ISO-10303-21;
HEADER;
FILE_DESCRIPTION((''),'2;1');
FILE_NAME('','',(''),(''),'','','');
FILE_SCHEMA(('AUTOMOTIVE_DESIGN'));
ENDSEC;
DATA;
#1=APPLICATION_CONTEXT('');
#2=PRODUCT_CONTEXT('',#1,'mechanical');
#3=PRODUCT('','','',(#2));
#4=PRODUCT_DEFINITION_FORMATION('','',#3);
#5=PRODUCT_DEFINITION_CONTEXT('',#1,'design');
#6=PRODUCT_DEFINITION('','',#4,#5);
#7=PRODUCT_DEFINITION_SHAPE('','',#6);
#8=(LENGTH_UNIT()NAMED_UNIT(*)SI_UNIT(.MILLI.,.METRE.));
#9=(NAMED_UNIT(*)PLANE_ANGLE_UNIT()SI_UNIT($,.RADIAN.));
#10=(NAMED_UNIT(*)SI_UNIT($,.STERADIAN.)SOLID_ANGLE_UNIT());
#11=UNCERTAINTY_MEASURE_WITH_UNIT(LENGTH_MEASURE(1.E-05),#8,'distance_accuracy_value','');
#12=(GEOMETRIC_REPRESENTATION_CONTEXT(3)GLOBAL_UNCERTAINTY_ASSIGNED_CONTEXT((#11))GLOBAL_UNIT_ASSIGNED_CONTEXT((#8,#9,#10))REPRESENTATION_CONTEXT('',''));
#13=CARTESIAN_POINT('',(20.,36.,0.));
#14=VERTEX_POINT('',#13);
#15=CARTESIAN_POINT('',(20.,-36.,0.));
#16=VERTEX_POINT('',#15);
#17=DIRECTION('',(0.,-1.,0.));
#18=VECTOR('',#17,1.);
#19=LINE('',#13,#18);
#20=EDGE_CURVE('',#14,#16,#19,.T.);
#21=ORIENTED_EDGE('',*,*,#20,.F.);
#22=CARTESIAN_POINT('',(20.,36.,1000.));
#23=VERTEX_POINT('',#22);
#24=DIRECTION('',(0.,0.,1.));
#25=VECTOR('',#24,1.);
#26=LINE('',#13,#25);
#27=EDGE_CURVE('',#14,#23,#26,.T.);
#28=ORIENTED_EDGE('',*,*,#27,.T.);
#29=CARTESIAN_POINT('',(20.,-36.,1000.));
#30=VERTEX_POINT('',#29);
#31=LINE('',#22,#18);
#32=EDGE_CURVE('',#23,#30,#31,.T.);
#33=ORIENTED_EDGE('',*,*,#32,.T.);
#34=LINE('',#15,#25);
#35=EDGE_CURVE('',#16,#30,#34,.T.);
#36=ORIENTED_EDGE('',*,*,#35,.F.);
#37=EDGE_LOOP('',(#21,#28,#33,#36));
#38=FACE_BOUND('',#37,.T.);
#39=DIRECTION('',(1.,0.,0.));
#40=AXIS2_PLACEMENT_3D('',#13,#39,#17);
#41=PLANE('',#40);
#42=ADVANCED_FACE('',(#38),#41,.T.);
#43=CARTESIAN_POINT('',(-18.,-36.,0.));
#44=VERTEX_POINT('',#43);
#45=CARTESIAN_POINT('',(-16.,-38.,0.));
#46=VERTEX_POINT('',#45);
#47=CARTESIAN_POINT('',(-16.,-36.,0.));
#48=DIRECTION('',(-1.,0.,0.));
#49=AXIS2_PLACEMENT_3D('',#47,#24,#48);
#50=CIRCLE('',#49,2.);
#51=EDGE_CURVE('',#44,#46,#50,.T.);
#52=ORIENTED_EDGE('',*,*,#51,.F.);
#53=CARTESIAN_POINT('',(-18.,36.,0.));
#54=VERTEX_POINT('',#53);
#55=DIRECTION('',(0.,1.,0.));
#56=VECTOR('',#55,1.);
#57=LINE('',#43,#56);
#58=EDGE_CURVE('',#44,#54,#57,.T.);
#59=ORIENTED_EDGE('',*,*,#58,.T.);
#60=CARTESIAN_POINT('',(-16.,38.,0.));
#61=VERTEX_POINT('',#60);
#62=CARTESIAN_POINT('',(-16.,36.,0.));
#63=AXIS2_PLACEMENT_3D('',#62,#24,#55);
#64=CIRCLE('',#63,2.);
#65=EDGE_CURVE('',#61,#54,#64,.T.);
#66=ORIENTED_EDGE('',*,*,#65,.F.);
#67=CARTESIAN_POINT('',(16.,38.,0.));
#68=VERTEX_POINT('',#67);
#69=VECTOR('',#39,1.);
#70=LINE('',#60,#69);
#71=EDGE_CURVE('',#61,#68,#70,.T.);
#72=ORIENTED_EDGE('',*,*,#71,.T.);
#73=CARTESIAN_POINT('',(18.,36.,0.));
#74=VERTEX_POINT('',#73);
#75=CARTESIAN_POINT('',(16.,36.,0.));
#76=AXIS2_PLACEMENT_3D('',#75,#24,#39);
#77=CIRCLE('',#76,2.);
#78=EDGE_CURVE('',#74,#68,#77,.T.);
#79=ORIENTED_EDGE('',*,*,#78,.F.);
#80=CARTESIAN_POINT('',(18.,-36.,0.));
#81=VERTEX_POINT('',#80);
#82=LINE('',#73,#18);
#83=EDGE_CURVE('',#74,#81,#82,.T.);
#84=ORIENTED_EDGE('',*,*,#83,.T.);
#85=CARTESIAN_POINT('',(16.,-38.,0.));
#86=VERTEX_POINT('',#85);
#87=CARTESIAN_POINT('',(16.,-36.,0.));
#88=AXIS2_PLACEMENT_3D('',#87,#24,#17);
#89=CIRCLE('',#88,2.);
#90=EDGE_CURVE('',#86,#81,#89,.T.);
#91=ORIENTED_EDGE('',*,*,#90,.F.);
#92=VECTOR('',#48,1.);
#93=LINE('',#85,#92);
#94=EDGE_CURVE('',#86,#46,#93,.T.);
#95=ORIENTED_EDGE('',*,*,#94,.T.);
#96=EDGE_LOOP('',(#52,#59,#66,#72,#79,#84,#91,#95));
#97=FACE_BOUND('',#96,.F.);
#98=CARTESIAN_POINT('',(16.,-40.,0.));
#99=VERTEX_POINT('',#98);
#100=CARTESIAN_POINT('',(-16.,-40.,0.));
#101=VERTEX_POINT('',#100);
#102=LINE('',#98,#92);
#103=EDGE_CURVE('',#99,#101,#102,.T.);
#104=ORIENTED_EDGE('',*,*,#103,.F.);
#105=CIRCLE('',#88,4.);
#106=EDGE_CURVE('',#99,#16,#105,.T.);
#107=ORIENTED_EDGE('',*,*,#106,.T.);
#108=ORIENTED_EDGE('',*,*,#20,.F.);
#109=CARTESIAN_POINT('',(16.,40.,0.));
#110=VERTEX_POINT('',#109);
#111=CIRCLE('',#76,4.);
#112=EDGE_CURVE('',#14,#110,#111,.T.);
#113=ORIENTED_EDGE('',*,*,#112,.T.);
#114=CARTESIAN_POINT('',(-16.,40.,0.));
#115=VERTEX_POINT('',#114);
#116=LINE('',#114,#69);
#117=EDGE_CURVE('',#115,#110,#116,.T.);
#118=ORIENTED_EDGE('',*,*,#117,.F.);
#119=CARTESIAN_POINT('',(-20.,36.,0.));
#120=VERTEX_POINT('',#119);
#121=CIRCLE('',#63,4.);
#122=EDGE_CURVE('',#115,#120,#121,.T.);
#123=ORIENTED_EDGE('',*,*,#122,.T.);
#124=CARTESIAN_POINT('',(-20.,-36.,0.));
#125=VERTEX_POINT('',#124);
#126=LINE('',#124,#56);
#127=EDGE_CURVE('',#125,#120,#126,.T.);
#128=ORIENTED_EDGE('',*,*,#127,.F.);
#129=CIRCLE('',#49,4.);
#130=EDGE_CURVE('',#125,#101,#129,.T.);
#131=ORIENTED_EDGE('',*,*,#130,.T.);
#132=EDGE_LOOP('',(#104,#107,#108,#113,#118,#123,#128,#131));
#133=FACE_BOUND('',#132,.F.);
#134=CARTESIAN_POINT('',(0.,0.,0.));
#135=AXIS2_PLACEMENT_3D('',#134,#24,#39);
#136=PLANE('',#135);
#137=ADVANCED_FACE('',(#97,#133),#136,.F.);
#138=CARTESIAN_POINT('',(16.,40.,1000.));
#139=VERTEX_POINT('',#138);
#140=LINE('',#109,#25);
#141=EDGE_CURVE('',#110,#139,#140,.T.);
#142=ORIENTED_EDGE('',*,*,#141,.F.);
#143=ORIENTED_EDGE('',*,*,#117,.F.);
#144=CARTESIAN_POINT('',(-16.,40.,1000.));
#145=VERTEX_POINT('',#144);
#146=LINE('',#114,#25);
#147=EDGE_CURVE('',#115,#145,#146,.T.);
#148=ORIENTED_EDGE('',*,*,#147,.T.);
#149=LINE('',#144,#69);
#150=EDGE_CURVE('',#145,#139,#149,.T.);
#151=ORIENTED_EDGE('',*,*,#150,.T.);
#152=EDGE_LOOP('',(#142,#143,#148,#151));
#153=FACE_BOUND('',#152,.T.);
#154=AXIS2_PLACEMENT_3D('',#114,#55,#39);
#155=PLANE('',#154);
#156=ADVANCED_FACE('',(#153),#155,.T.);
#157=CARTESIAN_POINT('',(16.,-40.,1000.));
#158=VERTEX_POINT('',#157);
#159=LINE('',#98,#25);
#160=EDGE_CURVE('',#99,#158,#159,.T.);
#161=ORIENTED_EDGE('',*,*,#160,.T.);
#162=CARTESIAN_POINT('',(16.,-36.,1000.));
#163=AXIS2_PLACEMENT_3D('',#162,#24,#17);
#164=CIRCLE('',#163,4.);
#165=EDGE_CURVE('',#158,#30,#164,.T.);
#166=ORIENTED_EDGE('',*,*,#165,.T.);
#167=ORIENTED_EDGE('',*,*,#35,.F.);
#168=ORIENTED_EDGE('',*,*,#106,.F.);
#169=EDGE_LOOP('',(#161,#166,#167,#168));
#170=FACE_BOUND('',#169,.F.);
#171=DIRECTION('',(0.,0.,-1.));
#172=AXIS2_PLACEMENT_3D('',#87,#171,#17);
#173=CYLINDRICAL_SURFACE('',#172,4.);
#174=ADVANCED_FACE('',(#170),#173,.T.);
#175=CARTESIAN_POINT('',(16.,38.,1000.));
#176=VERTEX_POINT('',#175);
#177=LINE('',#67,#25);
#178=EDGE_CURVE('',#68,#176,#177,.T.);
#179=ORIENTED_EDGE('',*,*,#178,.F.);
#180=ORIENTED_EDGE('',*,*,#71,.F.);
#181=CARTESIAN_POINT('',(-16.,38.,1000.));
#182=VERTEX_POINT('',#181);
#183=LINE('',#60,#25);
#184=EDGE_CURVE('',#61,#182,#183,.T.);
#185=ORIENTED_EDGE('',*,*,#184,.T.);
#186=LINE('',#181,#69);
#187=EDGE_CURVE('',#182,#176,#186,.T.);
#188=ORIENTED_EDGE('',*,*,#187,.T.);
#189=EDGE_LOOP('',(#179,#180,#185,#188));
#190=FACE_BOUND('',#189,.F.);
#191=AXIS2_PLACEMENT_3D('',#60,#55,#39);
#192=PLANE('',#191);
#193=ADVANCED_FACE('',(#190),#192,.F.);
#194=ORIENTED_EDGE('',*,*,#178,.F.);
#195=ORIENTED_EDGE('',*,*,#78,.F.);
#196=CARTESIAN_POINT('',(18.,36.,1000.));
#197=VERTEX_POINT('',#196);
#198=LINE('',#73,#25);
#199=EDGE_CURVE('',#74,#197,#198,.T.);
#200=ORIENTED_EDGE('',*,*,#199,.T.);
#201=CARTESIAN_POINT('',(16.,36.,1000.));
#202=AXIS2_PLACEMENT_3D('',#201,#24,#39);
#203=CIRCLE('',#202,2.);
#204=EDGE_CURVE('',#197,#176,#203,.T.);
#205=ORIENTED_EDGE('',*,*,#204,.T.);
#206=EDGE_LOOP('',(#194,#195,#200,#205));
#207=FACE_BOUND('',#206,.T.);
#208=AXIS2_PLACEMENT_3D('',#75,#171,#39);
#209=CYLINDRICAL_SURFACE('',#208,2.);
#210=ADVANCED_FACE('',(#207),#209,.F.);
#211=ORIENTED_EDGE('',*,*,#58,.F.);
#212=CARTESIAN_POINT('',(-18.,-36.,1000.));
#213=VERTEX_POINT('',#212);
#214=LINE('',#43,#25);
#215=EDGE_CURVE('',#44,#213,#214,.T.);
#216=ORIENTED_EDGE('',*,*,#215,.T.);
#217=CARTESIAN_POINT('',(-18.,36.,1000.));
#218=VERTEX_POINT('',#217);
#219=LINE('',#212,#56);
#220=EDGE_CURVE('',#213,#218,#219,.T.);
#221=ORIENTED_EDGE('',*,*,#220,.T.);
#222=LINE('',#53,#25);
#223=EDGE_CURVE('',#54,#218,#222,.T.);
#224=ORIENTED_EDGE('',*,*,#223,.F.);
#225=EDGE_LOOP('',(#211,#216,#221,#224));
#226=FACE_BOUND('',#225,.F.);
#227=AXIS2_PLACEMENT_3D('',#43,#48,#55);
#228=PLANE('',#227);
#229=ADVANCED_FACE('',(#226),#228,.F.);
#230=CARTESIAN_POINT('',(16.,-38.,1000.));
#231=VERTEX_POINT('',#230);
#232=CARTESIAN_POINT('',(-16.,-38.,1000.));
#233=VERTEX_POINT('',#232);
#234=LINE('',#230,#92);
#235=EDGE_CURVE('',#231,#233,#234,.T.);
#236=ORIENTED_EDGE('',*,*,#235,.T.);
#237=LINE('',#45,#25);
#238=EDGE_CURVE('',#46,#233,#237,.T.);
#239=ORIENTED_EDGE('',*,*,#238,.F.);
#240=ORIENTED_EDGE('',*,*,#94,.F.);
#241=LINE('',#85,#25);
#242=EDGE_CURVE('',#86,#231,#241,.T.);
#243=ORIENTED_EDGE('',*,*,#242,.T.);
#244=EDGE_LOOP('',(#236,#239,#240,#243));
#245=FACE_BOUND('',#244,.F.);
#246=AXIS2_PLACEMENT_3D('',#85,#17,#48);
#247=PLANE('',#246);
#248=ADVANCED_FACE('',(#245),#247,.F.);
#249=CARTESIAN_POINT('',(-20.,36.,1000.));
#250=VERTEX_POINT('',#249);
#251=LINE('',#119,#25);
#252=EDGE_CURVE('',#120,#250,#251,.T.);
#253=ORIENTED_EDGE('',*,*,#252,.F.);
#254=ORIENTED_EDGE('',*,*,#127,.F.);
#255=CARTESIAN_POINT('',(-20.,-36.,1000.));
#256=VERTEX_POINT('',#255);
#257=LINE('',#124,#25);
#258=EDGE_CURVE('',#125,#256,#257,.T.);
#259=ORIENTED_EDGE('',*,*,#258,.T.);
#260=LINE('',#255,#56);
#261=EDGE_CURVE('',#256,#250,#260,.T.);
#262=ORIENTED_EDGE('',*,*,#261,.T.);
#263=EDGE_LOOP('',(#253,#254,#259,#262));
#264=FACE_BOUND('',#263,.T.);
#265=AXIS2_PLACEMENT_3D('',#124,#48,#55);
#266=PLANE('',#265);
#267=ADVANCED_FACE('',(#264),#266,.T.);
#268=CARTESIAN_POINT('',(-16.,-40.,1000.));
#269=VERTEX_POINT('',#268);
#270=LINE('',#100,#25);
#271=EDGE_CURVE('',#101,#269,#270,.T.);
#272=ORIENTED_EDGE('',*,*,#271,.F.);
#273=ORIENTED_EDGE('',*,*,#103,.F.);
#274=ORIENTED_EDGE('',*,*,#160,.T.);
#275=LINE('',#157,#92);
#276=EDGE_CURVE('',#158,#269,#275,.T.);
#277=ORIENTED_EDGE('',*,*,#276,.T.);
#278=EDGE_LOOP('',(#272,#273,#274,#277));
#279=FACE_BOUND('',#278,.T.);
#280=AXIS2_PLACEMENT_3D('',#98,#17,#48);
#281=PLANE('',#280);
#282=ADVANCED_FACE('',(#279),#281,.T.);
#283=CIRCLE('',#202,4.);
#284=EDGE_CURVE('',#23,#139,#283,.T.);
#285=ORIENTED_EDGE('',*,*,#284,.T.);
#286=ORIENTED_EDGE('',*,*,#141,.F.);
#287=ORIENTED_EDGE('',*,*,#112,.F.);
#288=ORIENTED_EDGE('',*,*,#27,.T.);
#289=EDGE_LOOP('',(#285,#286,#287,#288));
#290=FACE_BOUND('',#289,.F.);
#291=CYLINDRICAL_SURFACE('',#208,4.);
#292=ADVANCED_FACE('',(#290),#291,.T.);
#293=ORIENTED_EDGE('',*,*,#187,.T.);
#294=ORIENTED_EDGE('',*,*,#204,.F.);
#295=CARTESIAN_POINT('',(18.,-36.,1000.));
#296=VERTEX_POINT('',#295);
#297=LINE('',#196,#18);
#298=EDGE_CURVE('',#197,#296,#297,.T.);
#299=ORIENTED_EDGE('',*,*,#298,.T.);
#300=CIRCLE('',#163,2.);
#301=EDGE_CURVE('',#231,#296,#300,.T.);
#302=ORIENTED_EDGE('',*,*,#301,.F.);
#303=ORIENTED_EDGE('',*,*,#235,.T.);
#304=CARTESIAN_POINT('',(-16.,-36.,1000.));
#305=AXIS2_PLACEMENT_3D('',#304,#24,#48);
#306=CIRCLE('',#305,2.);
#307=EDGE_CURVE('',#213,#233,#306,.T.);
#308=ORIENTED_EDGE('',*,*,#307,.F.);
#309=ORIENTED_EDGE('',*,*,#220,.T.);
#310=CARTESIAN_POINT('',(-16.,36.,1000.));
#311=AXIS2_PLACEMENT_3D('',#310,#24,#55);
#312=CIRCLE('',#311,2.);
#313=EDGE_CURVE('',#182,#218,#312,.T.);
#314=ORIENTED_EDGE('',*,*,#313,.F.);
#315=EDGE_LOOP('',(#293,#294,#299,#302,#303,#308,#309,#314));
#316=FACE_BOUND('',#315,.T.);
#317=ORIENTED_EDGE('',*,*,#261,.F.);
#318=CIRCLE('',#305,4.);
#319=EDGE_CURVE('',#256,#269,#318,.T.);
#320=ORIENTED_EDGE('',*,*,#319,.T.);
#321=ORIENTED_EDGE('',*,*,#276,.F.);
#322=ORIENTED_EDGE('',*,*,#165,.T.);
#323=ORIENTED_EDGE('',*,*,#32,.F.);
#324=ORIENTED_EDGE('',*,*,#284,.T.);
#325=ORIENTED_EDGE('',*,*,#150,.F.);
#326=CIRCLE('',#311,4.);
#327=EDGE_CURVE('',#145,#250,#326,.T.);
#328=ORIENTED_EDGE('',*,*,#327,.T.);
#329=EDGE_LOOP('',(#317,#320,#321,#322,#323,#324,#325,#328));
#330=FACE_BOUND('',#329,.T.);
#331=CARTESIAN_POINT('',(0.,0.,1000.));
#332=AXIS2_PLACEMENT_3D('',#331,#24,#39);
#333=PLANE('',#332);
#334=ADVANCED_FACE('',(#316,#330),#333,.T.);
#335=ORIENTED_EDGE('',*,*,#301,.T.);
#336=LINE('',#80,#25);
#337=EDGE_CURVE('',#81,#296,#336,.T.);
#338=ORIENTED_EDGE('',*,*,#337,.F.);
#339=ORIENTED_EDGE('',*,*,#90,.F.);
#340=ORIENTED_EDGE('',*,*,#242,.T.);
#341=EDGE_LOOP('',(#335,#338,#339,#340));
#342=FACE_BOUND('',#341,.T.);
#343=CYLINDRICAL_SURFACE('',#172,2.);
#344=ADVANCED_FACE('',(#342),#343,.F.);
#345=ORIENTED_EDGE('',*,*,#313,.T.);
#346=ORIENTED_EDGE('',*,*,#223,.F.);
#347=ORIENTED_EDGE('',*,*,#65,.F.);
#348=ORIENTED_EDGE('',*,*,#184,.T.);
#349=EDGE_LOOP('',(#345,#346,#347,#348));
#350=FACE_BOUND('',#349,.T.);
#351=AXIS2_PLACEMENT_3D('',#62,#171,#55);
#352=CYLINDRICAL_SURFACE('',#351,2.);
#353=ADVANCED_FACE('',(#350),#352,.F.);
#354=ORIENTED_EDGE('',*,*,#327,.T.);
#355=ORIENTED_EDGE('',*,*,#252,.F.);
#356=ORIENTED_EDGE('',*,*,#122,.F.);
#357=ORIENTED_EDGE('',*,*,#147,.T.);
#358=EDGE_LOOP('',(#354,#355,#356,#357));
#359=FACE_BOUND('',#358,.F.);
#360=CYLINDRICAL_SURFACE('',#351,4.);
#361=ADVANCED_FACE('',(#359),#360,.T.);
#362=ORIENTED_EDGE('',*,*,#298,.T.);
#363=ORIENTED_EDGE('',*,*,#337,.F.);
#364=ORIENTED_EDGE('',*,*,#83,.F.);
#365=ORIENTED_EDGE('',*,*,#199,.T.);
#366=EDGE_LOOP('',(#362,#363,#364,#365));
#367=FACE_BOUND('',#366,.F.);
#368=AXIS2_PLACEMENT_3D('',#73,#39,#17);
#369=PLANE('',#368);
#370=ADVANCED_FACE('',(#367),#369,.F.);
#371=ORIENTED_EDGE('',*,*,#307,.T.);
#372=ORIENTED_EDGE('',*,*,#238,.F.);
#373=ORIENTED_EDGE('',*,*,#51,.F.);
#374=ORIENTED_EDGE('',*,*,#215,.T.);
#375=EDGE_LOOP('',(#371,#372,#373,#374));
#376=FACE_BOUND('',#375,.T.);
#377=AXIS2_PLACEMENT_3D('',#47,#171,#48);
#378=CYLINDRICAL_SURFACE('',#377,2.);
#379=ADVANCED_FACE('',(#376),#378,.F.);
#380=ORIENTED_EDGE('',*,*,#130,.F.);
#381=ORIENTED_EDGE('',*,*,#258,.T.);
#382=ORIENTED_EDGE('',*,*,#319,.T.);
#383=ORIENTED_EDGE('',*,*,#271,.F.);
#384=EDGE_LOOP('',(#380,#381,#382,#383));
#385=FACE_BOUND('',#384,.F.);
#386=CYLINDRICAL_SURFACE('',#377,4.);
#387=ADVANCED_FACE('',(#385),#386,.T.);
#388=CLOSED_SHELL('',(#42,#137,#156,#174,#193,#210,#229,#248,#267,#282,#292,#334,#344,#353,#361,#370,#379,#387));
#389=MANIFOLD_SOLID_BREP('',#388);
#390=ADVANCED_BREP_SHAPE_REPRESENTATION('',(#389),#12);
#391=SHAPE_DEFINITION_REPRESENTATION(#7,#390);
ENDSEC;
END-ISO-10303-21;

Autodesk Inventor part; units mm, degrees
ref_plane "YZ Plane" through (0, 0, 0) normal (1, 0, 0) x (0, 1, 0)
ref_plane "Start Plane" through (0, 0, 0) normal (0, 0, 1) x (1, 0, 0)
ref_plane "End Plane" through (0, 0, 1000) normal (0, 0, 1) x (1, 0, 0)
sketch "Sketch" plane through (0, 0, 0) normal (0, 0, 1) x (1, 0, 0)
  line L0 (-20, -36) -> (-20, 36)
  line L1 (-16, 40) -> (16, 40)
  line L2 (20, 36) -> (20, -36)
  line L3 (16, -40) -> (-16, -40)
  arc A0 (-20, -36) -> (-16, -40) centre (-16, -36) ccw
  arc A1 (20, 36) -> (16, 40) centre (16, 36) ccw
  arc A2 (-16, 40) -> (-20, 36) centre (-16, 36) ccw
  arc A3 (16, -40) -> (20, -36) centre (16, -36) ccw
  arc A4 (-16, 38) -> (-18, 36) centre (-16, 36) ccw
  line L4 (-16, 38) -> (16, 38)
  arc A5 (18, 36) -> (16, 38) centre (16, 36) ccw
  line L5 (18, 36) -> (18, -36)
  arc A6 (16, -38) -> (18, -36) centre (16, -36) ccw
  line L6 (16, -38) -> (-16, -38)
  arc A7 (-18, -36) -> (-16, -38) centre (-16, -36) ccw
  line L7 (-18, -36) -> (-18, 36)
  line L8 (0, 57.1598) -> (0, -57.1598) construction
  line L9 (-29.1598, 0) -> (29.1598, 0) construction
  dimension "d7" = 4
  dimension "d9" = 40
  dimension "d11" = 80
  dimension "d12" = 2
  dimension "d15" = 20
  dimension "d16" = 40
extrude "Body" add sketch "Sketch" along normal up to surface (1000 mm away) from surface at 0
sketch "Sketch3" plane through (0, 0, 0) normal (0, 0, 1) x (1, 0, 0)
  line L0 (0, 0) -> (10, 0)
ref_plane "Work Plane3" through (0, 0, 0) normal (0, -1, 0) x (1, 0, 0)
sketch "Sketch4" plane through (0, 0, 0) normal (0, -1, 0) x (1, 0, 0)
  line L0 (-2, 0) -> (12, 0) projected
  line L1 (-2, 1000) -> (12, 1000) projected
  dimension "d18" = 1000
equation "\"d7\" = G_IR"
equation "\"d9\" = G_W"
equation "\"d11\" = G_H"
equation "\"d12\" = G_T"
equation "\"d15\" = 0.5 * d9"
equation "\"d16\" = 0.5 * d11"
equation "\"d3\" = G_L"
equation "\"G_W\" = 40"
equation "\"G_H\" = 80"
equation "\"G_T\" = 2"
equation "\"G_IR\" = 4"
equation "\"G_L\" = d18"
equation "\"G_OFFSET_START\" = 0"
equation "\"G_OFFSET_END\" = 0"
properties part number "ISO 4019 - 80x40x2 - 1000" material "Steel, Mild"
